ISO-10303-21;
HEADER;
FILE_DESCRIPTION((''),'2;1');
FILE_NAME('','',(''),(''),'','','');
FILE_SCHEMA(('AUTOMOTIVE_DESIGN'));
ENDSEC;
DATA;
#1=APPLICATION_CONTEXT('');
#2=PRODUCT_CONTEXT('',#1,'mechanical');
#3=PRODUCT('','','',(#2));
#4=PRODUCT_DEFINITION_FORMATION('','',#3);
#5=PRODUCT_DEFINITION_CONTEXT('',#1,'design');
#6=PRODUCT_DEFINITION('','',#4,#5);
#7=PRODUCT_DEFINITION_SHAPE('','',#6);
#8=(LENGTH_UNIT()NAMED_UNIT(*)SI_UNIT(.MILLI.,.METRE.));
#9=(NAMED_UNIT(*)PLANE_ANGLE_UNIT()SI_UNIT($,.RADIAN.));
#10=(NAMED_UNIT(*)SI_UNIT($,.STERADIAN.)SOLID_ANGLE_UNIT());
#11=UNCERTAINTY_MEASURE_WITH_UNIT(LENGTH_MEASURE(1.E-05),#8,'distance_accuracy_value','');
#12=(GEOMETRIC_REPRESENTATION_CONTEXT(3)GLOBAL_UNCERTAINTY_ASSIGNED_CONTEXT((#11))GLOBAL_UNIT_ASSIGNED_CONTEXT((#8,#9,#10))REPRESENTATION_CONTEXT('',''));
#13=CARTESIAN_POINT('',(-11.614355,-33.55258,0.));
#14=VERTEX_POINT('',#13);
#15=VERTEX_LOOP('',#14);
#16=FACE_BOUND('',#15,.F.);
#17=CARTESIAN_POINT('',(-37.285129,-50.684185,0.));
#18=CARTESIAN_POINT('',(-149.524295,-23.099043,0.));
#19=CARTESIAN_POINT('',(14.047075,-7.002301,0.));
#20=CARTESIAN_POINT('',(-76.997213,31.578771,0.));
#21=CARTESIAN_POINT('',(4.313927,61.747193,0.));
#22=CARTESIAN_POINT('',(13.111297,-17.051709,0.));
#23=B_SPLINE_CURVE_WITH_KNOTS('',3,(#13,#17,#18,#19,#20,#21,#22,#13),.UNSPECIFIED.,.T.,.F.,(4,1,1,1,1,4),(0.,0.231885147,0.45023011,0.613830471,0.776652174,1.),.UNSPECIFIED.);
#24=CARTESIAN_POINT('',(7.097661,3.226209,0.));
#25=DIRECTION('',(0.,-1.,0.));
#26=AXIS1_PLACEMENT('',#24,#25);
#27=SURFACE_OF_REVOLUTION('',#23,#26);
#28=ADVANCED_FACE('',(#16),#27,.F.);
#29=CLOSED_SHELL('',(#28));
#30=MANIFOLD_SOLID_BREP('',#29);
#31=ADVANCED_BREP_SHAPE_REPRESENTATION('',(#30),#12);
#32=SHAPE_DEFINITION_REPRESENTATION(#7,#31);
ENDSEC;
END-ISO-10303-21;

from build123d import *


with BuildPart() as f1:
    # F0 (on Top) → F1 (revolve)
    with BuildSketch(Plane.XY):
        with BuildLine():
            add(Edge.make_bspline(
                [(-11.6143552586, -33.5525795817), (-37.2851285616, -50.6841849399), (-149.5242953198, -23.0990433768), (14.0470750252, -7.0023012643), (-76.9972128583, 31.5787708006), (4.3139266063, 61.7471928867), (13.1112965676, -17.0517089492), (-11.6143552586, -33.5525795817)],
                knots=[0, 0, 0, 0, 0.2318851475, 0.4502301102, 0.6138304708, 0.7766521735, 1, 1, 1, 1], degree=3))
        make_face()
    revolve(axis=Axis((7.0976605639, 3.2262094319, 0), (0, -1, 0)))


solid = f1.part
